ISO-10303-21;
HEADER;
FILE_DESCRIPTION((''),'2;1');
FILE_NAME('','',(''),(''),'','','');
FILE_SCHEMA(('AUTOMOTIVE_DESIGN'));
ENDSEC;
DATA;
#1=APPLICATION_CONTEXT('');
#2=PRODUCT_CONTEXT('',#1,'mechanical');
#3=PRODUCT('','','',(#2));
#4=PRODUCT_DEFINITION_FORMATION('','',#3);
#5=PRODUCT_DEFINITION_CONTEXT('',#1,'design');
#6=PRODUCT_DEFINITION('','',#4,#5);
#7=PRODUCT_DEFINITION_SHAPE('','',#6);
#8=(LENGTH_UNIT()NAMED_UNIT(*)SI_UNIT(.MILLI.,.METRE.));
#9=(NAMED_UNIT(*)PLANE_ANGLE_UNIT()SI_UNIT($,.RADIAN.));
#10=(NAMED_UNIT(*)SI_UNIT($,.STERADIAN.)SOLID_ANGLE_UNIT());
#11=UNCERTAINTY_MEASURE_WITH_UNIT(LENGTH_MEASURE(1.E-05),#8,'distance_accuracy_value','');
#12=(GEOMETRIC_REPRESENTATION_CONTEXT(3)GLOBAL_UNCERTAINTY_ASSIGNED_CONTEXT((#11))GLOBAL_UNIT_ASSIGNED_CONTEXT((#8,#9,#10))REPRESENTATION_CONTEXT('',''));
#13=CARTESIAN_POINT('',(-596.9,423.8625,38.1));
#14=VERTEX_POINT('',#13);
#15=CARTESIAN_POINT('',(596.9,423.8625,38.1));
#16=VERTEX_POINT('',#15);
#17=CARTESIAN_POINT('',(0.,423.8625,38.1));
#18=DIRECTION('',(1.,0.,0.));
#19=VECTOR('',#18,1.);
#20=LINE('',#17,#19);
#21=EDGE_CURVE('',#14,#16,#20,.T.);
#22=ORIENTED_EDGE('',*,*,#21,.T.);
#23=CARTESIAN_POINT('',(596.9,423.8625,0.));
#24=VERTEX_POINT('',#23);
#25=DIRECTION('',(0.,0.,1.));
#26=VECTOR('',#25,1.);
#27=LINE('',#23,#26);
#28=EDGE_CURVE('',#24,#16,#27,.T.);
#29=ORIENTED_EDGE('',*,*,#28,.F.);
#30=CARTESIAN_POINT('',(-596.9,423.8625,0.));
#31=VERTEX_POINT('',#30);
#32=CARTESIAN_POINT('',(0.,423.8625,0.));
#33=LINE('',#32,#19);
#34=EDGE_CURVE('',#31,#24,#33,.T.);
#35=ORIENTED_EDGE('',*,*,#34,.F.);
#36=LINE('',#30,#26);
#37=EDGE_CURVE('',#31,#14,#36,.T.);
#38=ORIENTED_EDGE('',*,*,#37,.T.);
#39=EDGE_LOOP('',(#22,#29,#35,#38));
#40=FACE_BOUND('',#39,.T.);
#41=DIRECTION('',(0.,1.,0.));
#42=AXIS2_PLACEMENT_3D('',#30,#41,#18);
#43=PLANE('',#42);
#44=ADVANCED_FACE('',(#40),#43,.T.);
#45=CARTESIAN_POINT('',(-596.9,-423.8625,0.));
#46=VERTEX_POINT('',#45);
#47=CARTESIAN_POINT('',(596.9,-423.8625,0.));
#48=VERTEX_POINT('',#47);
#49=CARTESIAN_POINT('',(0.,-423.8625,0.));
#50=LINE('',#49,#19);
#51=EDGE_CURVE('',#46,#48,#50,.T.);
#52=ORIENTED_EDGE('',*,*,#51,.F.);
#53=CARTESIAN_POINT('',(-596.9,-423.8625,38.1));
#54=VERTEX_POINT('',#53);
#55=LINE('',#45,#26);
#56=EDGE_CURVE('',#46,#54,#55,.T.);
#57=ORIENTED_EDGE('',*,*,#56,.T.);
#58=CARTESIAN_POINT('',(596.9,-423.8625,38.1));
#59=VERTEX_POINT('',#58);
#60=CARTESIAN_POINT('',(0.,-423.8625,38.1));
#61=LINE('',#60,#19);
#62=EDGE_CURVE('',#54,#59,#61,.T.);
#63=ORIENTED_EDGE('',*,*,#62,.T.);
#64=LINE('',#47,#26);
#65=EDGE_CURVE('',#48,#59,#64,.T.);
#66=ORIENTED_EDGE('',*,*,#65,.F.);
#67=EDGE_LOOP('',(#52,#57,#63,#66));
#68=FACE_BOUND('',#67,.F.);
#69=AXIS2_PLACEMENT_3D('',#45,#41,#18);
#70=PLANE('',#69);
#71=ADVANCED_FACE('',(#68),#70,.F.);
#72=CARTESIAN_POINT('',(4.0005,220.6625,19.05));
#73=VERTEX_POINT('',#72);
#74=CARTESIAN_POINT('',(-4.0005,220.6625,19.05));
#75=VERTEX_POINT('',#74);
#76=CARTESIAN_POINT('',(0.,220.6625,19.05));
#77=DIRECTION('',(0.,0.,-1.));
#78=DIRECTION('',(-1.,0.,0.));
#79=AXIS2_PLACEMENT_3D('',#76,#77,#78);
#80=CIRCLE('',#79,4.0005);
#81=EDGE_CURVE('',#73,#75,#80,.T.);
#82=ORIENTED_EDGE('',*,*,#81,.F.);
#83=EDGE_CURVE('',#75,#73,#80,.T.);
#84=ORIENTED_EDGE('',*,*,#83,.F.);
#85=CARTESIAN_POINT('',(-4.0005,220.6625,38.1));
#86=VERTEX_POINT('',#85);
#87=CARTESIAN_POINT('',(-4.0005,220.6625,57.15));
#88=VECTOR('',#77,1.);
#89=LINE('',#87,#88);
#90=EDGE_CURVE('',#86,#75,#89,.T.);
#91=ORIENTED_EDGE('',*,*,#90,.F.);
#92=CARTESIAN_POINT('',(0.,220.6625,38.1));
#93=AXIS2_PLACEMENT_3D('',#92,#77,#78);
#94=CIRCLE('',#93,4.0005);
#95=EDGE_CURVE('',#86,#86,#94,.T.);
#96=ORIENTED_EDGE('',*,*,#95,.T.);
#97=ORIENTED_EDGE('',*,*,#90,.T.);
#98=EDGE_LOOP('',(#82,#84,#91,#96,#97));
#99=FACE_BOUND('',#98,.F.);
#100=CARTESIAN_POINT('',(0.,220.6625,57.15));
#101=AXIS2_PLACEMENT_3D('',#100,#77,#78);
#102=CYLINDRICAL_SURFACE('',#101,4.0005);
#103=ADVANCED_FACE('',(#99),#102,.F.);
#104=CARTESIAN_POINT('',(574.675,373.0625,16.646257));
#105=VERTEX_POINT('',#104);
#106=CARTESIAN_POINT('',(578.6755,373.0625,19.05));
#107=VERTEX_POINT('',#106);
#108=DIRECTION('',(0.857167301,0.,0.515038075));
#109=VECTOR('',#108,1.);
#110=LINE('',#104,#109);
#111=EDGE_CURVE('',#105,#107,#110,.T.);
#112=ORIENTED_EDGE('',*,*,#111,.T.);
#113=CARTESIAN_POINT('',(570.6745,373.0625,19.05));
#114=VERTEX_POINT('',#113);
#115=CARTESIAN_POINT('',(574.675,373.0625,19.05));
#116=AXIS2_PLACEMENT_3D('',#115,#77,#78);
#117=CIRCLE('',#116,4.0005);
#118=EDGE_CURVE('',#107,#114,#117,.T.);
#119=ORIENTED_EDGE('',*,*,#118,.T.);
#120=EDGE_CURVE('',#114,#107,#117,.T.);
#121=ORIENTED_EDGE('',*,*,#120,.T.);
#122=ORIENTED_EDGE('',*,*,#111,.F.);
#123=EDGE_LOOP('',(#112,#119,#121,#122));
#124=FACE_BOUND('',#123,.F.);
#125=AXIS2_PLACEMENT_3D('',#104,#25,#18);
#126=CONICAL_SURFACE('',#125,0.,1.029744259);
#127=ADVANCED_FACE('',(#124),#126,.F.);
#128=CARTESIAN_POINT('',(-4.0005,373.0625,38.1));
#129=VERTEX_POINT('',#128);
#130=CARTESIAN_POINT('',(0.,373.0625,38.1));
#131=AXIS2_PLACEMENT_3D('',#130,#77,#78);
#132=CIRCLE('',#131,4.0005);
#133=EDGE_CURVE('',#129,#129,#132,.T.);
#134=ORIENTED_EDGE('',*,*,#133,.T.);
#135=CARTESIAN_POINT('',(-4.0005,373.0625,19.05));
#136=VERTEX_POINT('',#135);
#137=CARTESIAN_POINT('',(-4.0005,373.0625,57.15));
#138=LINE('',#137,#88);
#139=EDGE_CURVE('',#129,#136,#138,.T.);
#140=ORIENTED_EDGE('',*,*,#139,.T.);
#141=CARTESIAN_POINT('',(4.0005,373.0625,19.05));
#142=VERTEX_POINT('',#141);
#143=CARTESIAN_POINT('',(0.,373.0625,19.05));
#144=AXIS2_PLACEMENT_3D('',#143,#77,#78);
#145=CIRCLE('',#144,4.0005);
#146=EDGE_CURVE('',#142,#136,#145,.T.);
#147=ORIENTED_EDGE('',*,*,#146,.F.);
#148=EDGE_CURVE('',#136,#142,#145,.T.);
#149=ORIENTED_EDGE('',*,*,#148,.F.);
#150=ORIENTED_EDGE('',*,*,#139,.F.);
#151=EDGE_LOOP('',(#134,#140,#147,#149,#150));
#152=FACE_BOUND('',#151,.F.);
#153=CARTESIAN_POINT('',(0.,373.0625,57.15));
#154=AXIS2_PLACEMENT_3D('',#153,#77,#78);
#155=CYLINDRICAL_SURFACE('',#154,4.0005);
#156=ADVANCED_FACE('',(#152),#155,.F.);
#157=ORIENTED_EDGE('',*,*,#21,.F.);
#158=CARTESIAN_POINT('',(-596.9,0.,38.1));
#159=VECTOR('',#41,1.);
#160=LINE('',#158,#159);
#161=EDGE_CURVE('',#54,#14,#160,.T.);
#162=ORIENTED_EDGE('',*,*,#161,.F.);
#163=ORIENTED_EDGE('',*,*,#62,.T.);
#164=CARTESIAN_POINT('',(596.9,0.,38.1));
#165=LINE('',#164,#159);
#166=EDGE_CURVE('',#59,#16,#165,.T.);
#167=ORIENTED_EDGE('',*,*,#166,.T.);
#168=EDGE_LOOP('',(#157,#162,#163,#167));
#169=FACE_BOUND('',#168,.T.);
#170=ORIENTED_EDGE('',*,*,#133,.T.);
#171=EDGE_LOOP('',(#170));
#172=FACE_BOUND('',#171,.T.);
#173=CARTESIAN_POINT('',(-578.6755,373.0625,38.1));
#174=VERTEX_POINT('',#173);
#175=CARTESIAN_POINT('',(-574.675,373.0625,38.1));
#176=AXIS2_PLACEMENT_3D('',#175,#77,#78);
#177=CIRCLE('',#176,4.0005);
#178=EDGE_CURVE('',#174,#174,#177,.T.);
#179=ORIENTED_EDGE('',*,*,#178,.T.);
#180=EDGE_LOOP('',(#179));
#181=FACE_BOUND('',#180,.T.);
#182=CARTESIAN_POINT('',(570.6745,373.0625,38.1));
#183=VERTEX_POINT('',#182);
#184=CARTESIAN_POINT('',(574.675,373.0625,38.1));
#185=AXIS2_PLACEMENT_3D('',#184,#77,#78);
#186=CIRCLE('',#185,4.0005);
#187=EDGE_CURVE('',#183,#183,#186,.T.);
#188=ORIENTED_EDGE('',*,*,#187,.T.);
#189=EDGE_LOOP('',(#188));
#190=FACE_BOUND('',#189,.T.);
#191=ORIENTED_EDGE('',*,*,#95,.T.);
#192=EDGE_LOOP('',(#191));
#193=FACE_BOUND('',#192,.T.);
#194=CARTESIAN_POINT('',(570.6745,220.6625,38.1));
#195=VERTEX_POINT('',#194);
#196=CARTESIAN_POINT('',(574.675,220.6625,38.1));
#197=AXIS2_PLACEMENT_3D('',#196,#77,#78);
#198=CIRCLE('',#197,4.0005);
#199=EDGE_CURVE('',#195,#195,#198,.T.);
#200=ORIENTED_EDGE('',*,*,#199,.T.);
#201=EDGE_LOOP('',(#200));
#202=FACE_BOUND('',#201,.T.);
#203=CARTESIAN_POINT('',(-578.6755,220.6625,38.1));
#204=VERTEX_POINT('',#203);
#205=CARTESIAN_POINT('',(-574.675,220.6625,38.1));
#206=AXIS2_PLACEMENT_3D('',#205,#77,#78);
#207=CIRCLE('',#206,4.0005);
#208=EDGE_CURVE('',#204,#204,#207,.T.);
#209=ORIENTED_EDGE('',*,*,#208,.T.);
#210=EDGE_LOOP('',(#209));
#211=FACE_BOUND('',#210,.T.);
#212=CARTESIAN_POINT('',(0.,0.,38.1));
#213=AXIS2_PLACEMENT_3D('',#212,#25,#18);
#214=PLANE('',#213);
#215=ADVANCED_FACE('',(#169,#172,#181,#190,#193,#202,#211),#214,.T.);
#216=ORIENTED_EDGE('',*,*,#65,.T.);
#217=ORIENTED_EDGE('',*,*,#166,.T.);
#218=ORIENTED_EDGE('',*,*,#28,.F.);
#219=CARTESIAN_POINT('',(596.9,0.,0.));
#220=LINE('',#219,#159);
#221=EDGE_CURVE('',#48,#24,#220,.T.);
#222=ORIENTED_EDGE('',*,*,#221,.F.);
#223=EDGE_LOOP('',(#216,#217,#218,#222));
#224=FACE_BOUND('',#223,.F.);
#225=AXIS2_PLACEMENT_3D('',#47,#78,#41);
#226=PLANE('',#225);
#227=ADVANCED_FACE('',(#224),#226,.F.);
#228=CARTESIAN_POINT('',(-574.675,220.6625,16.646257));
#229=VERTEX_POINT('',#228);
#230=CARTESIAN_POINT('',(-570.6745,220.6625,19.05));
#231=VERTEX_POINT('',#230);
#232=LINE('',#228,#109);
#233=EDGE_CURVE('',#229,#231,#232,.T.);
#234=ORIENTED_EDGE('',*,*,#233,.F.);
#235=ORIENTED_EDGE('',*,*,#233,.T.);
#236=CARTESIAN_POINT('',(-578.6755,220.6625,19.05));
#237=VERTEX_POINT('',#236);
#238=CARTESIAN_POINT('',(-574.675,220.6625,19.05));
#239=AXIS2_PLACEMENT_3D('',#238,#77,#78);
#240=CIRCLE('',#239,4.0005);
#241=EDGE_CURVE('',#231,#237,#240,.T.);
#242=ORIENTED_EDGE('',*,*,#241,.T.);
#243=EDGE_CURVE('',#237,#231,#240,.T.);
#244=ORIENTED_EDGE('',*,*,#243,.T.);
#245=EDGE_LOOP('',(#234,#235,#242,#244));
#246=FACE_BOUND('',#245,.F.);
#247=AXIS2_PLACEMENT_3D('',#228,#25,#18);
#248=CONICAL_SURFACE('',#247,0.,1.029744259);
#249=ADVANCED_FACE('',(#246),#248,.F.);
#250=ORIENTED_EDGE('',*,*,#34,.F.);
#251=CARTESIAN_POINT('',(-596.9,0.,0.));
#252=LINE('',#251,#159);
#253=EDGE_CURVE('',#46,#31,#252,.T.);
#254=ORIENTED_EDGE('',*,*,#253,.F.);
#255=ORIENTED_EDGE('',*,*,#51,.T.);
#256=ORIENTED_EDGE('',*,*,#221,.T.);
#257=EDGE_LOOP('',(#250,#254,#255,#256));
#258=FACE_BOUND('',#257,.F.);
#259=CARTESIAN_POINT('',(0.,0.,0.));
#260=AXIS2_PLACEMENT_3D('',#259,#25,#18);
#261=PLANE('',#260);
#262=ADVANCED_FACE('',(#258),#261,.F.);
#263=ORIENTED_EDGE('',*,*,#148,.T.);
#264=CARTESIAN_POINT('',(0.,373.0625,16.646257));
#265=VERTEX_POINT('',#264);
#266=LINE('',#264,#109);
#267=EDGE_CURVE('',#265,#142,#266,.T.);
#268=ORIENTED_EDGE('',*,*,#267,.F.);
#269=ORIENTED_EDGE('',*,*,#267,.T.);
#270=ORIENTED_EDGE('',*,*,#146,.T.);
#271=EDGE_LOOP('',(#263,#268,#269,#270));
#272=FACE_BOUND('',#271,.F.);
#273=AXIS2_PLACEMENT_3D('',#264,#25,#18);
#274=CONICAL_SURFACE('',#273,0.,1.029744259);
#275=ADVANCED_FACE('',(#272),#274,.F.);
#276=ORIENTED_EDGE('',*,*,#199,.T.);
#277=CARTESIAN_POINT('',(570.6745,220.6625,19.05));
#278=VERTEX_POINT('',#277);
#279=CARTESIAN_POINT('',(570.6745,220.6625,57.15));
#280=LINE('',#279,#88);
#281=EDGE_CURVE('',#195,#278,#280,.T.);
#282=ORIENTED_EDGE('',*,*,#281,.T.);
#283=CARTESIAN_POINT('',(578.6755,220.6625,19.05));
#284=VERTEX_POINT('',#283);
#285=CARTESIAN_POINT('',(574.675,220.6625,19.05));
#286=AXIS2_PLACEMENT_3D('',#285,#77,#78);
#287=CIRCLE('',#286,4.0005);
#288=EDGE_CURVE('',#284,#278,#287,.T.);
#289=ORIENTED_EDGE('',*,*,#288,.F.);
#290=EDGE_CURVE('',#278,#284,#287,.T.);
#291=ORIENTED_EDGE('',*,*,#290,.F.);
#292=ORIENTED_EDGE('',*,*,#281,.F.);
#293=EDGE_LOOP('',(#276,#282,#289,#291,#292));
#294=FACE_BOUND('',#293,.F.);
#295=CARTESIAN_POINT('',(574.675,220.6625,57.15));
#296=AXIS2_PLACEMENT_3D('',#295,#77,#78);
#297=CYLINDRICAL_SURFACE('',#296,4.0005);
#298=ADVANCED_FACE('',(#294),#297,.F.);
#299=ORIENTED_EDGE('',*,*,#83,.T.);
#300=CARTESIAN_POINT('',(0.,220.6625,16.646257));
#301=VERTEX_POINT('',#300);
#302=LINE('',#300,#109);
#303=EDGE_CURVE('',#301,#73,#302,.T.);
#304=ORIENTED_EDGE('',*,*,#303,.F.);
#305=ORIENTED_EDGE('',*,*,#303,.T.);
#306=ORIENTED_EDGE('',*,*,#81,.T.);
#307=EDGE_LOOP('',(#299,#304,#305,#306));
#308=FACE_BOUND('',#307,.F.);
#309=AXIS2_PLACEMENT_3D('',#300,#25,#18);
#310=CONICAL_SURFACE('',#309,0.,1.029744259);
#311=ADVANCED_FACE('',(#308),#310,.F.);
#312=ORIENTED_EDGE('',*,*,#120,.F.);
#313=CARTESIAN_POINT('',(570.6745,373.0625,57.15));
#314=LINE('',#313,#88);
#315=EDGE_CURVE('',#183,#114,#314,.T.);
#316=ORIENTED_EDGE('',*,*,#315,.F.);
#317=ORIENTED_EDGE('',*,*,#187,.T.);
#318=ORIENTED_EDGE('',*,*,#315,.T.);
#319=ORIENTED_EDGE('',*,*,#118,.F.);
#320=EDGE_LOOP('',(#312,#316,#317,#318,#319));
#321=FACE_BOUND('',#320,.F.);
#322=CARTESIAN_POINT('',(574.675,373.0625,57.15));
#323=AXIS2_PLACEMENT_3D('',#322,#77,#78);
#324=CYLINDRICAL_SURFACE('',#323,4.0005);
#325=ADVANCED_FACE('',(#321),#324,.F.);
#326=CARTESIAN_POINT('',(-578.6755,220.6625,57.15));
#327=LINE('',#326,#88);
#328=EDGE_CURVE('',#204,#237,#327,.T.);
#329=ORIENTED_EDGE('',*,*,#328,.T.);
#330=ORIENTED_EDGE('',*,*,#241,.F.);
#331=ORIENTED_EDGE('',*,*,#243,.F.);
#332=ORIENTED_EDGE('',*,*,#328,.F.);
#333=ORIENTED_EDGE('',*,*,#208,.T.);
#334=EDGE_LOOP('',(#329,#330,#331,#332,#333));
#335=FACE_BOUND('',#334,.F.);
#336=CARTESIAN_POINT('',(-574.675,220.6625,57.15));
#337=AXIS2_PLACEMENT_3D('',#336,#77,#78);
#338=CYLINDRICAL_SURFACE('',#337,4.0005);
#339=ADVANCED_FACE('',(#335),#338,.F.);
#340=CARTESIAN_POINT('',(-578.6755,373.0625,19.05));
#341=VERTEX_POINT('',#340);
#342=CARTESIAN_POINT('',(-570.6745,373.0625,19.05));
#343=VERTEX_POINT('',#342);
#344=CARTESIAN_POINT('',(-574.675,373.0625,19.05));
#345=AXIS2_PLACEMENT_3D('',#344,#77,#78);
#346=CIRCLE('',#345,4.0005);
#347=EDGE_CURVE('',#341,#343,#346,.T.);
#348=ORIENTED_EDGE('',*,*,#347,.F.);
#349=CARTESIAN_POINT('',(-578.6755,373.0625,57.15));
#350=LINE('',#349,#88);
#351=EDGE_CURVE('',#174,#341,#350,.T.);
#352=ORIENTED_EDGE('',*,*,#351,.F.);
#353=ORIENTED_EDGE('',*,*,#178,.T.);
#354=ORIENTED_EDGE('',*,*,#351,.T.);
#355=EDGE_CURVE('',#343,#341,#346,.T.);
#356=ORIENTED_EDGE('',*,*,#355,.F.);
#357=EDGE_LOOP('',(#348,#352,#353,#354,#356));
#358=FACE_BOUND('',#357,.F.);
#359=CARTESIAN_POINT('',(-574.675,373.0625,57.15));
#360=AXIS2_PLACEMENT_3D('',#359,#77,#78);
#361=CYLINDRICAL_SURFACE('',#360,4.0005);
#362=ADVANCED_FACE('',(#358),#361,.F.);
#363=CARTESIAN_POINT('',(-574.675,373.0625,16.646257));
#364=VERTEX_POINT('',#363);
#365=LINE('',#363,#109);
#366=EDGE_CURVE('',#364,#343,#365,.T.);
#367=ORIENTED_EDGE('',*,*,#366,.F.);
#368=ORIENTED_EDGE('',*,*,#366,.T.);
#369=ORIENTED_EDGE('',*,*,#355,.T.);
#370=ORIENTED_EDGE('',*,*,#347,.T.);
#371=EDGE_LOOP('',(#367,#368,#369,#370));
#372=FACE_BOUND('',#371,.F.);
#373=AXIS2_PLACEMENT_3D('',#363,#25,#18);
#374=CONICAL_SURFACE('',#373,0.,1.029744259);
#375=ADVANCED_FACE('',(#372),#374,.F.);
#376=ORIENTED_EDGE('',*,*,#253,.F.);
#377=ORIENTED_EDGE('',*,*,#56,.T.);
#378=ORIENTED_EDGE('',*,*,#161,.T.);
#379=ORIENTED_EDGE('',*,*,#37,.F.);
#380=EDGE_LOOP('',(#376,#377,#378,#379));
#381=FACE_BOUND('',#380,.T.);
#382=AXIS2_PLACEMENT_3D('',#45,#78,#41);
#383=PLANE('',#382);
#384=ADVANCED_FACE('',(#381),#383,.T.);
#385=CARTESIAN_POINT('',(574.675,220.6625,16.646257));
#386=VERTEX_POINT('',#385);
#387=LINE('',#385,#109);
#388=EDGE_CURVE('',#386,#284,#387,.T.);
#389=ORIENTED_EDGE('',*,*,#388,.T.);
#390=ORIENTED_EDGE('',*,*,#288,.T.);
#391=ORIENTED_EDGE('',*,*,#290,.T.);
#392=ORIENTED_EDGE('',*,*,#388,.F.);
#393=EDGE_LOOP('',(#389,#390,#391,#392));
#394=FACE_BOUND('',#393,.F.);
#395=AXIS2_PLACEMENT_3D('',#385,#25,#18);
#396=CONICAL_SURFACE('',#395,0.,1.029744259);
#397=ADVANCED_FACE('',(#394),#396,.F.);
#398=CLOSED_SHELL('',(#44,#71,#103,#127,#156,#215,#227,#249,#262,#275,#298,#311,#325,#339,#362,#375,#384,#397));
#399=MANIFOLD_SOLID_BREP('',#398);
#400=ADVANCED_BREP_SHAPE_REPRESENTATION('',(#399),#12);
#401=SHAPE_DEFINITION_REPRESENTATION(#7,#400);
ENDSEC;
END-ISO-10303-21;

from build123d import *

# Parameters (mm, degrees)
F0_W     = 1193.8
F0_H     = 847.725
F1_DEPTH = 38.1
F3_D     = 8.001
F3_DEPTH = 19.05
F3_TIP   = 2.4037429064


with BuildPart() as f1:
    # F0 (on Top) → F1 (new body)
    with BuildSketch(Plane.XY):
        Rectangle(F0_W, F0_H)
    extrude(amount=F1_DEPTH)

    # F3
    with Locations(Plane.XY.offset(38.1)):
        with Locations((-574.675, 373.0625), (-574.675, 220.6625), (0, 373.0625), (0, 220.6625), (574.675, 373.0625), (574.675, 220.6625)):
            Hole(F3_D / 2, depth=F3_DEPTH)
            with Locations((0, 0, -(F3_DEPTH + F3_TIP / 2))):  # 118° drill point
                Cone(0, F3_D / 2, F3_TIP, mode=Mode.SUBTRACT)


solid = f1.part
